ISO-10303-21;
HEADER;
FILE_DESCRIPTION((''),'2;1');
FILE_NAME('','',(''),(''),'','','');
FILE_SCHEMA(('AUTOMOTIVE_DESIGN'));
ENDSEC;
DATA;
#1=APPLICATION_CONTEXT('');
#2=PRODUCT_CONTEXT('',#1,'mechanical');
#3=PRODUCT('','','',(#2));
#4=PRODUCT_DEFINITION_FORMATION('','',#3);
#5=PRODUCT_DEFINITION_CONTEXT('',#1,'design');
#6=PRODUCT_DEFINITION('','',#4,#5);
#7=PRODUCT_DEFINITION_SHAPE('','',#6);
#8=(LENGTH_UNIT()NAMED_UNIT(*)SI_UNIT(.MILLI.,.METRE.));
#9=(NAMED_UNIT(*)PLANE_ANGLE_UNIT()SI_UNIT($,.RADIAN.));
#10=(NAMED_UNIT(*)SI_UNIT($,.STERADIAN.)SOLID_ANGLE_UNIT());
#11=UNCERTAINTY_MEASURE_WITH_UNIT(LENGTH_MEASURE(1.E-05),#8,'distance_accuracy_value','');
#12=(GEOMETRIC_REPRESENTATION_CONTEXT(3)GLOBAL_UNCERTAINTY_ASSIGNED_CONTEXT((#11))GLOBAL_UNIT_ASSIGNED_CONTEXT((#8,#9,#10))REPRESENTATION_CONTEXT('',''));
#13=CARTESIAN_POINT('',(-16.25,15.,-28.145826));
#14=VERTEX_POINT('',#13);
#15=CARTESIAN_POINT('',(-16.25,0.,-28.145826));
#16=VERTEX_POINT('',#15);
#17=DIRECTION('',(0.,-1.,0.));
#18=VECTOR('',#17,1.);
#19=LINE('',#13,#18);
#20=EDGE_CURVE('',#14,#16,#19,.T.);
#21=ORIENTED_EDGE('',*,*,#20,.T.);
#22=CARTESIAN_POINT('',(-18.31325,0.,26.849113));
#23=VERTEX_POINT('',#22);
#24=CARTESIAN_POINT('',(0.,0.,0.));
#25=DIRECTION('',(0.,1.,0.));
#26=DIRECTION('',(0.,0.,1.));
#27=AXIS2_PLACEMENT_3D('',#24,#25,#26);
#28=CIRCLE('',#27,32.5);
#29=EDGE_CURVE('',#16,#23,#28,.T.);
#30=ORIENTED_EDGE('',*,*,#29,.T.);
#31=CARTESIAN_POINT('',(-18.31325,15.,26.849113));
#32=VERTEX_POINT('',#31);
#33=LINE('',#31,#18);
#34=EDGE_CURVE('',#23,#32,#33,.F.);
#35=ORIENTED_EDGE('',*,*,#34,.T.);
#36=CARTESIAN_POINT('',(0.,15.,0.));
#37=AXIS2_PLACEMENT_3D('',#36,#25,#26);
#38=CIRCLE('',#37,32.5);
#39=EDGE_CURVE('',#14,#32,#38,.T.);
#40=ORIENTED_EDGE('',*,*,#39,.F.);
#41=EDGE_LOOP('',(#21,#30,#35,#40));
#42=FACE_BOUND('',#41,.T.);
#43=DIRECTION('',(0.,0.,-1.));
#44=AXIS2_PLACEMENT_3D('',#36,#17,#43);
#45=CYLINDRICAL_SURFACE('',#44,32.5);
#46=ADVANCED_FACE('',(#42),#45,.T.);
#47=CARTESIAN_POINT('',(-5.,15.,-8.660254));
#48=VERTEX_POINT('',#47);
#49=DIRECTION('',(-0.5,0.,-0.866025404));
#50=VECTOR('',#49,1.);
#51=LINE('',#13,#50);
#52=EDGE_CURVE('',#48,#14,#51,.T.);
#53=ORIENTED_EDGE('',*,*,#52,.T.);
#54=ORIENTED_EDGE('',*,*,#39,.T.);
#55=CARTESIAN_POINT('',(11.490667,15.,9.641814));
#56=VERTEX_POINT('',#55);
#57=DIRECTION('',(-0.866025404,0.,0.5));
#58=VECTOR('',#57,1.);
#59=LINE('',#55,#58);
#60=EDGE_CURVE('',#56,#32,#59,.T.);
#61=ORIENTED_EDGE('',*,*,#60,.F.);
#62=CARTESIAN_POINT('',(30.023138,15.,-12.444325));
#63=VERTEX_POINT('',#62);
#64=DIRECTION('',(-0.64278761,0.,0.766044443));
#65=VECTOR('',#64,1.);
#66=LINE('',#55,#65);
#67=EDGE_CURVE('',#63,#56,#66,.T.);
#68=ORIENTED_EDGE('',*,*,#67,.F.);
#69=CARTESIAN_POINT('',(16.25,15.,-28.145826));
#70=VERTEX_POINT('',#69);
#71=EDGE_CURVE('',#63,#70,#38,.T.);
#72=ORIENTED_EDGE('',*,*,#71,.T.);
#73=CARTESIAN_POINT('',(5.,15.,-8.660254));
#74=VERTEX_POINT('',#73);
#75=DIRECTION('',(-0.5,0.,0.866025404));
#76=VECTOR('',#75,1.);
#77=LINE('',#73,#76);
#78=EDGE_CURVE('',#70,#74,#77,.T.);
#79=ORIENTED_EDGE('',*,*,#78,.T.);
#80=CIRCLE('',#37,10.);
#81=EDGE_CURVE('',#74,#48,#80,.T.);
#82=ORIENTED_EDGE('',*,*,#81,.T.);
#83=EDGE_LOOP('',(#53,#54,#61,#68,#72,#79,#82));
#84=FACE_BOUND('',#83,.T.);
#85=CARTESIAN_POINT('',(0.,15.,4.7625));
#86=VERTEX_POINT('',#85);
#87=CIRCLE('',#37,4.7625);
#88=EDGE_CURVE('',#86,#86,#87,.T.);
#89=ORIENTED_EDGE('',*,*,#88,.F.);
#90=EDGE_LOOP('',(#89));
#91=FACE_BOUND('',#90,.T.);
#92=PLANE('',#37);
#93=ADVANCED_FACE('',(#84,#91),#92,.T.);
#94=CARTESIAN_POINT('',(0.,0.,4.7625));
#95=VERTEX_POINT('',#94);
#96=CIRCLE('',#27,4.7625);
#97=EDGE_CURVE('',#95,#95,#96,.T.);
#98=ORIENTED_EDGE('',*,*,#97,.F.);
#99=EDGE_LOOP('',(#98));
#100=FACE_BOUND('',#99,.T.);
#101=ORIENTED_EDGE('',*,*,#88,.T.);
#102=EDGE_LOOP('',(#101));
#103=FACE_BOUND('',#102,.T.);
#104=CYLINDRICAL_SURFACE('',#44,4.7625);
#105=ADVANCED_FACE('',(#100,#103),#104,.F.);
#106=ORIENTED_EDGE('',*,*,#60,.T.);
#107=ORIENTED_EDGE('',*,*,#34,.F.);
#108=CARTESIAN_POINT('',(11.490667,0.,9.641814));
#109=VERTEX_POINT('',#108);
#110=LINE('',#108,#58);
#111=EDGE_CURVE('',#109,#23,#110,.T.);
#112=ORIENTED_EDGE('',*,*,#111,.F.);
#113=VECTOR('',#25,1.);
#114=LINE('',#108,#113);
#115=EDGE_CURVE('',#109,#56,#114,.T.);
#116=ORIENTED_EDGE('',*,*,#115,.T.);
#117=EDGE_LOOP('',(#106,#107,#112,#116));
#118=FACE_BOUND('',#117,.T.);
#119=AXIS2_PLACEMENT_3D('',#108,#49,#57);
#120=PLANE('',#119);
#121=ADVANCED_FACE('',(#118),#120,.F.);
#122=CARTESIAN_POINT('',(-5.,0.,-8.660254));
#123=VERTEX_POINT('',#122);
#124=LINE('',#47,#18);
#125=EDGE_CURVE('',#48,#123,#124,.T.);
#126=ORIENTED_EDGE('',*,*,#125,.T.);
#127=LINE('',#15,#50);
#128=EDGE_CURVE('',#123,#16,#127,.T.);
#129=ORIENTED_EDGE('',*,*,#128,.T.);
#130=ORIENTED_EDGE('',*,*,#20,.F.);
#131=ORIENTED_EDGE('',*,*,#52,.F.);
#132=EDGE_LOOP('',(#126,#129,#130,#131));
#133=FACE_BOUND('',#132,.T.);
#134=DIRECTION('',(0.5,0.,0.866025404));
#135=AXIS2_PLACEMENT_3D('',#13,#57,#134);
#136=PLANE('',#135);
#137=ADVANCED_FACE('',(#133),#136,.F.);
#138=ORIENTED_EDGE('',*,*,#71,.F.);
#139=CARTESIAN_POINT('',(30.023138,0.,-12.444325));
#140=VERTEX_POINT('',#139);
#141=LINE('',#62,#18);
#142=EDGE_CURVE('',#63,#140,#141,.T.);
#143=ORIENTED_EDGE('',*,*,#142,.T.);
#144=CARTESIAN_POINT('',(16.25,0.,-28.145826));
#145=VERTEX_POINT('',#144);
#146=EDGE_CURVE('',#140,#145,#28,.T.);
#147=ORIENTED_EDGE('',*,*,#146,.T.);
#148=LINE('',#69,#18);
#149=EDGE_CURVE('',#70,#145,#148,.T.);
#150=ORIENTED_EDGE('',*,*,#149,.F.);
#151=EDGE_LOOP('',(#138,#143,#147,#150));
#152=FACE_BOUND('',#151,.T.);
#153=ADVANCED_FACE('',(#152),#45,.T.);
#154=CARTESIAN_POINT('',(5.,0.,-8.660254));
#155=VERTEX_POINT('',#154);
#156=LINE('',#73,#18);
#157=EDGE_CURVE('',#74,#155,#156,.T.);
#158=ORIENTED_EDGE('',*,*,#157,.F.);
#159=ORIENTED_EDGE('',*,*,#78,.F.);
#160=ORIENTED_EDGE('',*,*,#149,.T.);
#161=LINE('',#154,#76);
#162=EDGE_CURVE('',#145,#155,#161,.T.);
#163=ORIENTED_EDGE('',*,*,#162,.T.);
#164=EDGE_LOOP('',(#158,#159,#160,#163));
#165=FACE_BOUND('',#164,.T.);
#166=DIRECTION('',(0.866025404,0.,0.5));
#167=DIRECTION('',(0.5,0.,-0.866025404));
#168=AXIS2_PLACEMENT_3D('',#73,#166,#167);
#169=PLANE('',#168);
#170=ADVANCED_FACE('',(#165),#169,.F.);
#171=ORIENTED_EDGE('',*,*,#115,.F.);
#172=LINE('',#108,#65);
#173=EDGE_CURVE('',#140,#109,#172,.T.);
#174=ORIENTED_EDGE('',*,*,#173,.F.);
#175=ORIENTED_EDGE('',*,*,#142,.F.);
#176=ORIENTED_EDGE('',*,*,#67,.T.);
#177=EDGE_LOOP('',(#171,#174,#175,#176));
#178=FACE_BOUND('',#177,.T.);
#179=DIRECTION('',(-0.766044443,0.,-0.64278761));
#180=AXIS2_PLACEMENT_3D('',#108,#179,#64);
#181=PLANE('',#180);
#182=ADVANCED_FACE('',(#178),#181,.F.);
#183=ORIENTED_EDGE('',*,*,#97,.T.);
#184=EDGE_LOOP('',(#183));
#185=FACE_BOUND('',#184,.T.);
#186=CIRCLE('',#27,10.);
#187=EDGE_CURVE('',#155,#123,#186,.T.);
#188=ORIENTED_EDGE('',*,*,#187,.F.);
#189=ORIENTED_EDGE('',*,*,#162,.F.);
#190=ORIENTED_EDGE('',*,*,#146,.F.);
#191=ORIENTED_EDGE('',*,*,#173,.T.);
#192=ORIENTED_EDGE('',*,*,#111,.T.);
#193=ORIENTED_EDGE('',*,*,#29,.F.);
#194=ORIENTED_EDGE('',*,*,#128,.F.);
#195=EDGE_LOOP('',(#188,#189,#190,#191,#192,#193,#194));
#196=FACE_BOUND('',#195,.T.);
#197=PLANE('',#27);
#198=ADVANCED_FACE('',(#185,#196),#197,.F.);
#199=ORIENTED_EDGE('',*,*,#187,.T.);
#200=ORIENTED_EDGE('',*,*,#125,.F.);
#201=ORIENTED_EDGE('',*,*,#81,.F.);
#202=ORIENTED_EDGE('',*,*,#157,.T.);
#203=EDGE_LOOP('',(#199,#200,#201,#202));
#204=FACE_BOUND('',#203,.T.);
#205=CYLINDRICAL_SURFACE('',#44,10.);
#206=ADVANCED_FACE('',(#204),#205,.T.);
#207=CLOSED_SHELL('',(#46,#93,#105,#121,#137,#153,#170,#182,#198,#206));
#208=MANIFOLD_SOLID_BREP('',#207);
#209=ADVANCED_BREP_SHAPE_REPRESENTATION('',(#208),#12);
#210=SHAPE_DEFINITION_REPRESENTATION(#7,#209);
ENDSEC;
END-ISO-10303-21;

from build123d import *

# Parameters (mm, degrees)
SKETCH1_R           = 4.7625
BOSS_EXTRUDE1_DEPTH = 15
CUT_EXTRUDE1_DEPTH  = 16


with BuildPart() as part:
    # Sketch1 → Boss-Extrude1 (new body)
    with BuildSketch(Plane(origin=(0, 0, 0), x_dir=(1, 0, 0), z_dir=(0, 1, 0))):
        with BuildLine():
            Line((-16.25, 28.145825623), (-5, 8.660254038))
            ThreePointArc((-5, 8.660254038), (0, 10), (5, 8.660254038))
            Line((5, 8.660254038), (16.25, 28.145825623))
            ThreePointArc((16.25, 28.145825623), (0, -32.5), (-16.25, 28.145825623))
        make_face()
        Circle(SKETCH1_R, mode=Mode.SUBTRACT)
    extrude(amount=BOSS_EXTRUDE1_DEPTH)

    # Sketch4 → Cut-Extrude1 (cut, through all)
    with BuildSketch(Plane(origin=(0, 15, 0), x_dir=(1, 0, 0), z_dir=(0, 1, 0))):
        with BuildLine():
            Line((11.490666647, -9.641814145), (45.503789868, 30.893447649))
            ThreePointArc((45.503789868, 30.893447649), (34.992750198, -42.432386612), (-38.992939572, -38.788537785))
            Line((-38.992939572, -38.788537785), (11.490666647, -9.641814145))
        make_face()
    extrude(amount=-CUT_EXTRUDE1_DEPTH, mode=Mode.SUBTRACT)


solid = part.part
